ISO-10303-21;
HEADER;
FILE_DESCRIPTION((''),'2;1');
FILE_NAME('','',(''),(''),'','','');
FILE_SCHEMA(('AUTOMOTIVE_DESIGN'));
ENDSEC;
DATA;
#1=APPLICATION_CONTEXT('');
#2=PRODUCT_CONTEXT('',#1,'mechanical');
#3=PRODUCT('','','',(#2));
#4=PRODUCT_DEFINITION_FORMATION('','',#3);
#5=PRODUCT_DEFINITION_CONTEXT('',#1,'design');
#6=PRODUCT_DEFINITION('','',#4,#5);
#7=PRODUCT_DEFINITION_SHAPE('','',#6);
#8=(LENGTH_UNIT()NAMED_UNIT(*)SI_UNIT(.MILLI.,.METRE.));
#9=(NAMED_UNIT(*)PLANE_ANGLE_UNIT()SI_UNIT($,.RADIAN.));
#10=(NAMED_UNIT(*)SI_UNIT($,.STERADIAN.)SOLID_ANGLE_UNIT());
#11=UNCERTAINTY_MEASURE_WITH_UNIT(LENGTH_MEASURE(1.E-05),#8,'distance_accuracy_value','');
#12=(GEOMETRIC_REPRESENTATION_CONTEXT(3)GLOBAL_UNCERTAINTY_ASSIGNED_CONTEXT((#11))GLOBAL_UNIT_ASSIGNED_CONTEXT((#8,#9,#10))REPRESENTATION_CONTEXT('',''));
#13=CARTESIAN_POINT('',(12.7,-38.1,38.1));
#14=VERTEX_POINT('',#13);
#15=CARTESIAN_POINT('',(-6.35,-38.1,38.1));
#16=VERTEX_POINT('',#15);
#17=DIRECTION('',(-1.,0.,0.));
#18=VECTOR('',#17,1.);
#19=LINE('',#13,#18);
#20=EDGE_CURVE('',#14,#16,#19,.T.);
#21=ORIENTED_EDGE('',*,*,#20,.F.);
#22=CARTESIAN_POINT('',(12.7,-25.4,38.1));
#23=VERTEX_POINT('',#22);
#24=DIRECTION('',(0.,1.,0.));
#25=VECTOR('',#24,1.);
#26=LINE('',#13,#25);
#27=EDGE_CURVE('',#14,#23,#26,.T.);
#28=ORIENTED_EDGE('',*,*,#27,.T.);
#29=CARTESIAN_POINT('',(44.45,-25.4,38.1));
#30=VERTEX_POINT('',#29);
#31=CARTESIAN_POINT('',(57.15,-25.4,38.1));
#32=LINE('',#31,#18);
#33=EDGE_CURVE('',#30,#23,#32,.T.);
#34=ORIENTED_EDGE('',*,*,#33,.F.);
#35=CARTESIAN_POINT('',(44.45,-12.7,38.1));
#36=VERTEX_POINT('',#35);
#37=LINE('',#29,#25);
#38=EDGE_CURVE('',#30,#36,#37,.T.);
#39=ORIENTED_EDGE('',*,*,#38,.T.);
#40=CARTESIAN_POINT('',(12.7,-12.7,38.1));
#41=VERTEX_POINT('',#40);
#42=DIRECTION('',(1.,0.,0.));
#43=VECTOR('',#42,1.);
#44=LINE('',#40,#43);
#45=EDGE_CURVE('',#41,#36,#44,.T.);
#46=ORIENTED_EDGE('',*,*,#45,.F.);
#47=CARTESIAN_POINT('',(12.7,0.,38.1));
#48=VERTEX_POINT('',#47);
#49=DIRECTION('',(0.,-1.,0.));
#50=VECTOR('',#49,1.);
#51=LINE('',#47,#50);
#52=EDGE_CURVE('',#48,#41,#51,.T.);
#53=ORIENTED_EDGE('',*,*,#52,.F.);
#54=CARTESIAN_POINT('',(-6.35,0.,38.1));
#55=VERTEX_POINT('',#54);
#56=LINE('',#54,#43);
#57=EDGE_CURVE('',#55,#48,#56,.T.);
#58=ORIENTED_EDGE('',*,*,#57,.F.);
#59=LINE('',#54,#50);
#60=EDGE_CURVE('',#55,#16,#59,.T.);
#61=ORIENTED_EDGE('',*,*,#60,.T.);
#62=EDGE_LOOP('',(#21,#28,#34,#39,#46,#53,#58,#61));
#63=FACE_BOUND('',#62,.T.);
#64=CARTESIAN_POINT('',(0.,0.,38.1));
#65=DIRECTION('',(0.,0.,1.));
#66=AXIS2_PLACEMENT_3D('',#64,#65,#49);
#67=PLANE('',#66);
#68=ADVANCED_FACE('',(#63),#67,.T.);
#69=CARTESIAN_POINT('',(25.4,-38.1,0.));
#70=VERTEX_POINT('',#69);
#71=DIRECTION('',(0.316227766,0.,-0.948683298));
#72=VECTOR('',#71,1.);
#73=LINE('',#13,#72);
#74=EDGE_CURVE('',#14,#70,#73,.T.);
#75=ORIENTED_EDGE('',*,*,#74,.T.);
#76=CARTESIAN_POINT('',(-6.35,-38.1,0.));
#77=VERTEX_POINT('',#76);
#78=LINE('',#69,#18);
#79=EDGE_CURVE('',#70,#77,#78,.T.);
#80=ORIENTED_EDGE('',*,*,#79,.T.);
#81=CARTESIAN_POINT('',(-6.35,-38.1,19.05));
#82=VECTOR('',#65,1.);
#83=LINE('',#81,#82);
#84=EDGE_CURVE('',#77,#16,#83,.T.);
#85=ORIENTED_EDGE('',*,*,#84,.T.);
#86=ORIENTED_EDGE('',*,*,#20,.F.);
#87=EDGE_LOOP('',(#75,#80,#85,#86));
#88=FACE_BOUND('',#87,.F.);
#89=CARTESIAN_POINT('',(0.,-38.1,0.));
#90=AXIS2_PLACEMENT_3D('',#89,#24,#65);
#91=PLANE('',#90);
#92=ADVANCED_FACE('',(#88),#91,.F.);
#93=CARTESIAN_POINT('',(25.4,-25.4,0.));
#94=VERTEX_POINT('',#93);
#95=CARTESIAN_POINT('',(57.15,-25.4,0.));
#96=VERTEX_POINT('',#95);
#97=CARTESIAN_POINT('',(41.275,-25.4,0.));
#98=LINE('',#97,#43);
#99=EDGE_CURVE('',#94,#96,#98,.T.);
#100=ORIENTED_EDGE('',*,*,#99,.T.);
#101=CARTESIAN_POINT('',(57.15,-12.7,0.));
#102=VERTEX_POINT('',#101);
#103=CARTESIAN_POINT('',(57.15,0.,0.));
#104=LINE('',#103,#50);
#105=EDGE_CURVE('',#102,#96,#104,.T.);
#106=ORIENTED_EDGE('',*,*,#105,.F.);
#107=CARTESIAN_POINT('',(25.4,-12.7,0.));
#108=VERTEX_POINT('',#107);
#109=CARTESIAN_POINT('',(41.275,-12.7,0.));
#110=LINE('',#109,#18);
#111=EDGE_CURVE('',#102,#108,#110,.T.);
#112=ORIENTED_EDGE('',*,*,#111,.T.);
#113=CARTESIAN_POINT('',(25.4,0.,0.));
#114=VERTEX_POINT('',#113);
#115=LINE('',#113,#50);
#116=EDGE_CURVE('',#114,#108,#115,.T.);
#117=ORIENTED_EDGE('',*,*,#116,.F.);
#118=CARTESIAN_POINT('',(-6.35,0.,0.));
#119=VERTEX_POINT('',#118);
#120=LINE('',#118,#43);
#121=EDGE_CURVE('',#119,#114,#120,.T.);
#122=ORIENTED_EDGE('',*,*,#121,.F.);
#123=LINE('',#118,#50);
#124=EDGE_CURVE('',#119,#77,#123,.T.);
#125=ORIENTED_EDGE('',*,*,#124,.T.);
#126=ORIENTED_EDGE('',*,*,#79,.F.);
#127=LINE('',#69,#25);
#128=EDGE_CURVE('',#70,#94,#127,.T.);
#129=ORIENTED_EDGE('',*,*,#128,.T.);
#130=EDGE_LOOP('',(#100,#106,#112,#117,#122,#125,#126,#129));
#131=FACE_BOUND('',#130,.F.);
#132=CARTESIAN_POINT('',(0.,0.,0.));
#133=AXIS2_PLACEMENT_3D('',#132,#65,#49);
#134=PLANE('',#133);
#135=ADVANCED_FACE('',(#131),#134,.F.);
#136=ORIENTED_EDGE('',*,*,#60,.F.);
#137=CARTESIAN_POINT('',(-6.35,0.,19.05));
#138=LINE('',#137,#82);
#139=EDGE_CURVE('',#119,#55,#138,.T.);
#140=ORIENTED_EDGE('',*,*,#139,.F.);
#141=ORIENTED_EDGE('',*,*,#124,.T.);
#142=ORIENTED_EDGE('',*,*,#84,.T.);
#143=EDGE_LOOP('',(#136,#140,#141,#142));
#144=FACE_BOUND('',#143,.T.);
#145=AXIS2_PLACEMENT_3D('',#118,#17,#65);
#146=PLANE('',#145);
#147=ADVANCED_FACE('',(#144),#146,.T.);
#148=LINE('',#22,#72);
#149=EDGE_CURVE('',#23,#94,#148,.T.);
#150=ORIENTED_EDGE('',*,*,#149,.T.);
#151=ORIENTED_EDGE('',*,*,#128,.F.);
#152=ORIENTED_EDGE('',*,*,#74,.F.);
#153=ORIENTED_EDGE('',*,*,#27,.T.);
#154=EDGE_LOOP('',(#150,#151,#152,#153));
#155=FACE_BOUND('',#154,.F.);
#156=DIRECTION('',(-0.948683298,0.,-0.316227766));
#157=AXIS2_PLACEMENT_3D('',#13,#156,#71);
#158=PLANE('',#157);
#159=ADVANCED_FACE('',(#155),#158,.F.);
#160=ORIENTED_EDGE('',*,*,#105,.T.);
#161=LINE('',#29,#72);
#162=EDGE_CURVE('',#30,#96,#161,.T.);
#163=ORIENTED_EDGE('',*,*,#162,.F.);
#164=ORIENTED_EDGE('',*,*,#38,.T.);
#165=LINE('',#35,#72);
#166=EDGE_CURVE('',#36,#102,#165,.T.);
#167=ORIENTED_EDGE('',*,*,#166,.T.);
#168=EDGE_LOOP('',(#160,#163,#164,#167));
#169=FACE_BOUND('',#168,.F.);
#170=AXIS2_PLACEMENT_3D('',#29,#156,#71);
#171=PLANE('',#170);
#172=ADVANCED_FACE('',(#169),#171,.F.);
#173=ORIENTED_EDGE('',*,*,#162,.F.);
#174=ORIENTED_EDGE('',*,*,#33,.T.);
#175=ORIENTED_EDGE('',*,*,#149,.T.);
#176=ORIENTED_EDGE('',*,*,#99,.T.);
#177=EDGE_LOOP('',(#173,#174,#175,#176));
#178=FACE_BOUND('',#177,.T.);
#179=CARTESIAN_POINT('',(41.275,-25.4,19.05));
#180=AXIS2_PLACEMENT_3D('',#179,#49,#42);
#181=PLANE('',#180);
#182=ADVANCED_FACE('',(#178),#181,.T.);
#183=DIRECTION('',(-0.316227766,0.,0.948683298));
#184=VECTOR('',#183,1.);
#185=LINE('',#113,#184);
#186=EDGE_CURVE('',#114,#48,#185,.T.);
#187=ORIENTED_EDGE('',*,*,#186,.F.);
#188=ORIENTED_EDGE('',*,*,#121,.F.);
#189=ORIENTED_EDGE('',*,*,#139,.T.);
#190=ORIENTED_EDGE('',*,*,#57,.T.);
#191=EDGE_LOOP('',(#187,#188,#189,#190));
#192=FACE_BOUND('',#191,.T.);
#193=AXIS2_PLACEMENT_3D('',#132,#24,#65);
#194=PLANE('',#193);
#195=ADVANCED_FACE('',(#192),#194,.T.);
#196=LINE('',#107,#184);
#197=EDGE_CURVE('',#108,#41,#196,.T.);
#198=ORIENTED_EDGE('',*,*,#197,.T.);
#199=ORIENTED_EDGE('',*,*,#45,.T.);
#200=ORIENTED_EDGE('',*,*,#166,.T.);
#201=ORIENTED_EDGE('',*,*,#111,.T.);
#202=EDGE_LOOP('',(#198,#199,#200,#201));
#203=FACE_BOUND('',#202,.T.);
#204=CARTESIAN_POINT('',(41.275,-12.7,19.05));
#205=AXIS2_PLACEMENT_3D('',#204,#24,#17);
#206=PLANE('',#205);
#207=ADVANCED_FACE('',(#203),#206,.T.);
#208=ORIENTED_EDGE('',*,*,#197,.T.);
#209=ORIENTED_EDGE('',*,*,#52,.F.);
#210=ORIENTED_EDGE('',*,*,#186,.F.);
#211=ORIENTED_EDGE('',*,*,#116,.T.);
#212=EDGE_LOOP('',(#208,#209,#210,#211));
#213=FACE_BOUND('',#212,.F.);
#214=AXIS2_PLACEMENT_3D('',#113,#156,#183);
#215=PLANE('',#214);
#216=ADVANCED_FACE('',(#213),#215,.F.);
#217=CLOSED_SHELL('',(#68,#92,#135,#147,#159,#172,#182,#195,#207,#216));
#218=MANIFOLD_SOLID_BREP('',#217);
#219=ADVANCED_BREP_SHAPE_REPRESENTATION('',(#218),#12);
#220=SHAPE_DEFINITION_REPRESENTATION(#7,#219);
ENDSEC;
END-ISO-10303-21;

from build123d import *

# Parameters (mm, degrees)
F0_W     = 57.15
F0_H     = 38.1
F1_DEPTH = 38.1
F2_W     = 31.75
F2_H     = 38.1
F3_DEPTH = 12.7
F5_DEPTH = 12.7
F6_W     = 31.75
F6_H     = 38.1
F7_DEPTH = 12.7
F8_DEPTH = 6.35


with BuildPart() as f1:
    # F0 (on Front) → F1 (new body)
    with BuildSketch(Plane.XZ):
        with Locations((28.575, 19.05)):
            Rectangle(F0_W, F0_H)
    extrude(amount=F1_DEPTH)

    # F2 (on face) → F3 (cut)
    with BuildSketch(Plane.XZ.offset(38.1)):
        with Locations((41.275, 19.05)):
            Rectangle(F2_W, F2_H)
        Polygon((12.7, 38.1), (25.4, 0), (25.4, 38.1), align=None)
    extrude(amount=-F3_DEPTH, mode=Mode.SUBTRACT)

    # F4 (on face) → F5 (cut)
    with BuildSketch(Plane.XZ.offset(25.4)):
        Polygon((44.45, 38.1), (57.15, 0), (57.15, 38.1), align=None)
    extrude(amount=-F5_DEPTH, mode=Mode.SUBTRACT)

    # F6 (on face) → F7 (cut)
    with BuildSketch(Plane(origin=(0, 0, 0), x_dir=(-1, 0, 0), z_dir=(0, 1, 0))):
        with Locations((-41.275, 19.05)):
            Rectangle(F6_W, F6_H)
        Polygon((-12.7, 38.1), (-25.4, 38.1), (-25.4, 0), align=None)
    extrude(amount=-F7_DEPTH, mode=Mode.SUBTRACT)

    # F8 (add): a face of the model
    f8_faces = [f1.faces().sort_by_distance(p)[0] for p in [
        (0, -19.05, 19.05),
    ]]
    extrude(f8_faces, amount=F8_DEPTH)


solid = f1.part
